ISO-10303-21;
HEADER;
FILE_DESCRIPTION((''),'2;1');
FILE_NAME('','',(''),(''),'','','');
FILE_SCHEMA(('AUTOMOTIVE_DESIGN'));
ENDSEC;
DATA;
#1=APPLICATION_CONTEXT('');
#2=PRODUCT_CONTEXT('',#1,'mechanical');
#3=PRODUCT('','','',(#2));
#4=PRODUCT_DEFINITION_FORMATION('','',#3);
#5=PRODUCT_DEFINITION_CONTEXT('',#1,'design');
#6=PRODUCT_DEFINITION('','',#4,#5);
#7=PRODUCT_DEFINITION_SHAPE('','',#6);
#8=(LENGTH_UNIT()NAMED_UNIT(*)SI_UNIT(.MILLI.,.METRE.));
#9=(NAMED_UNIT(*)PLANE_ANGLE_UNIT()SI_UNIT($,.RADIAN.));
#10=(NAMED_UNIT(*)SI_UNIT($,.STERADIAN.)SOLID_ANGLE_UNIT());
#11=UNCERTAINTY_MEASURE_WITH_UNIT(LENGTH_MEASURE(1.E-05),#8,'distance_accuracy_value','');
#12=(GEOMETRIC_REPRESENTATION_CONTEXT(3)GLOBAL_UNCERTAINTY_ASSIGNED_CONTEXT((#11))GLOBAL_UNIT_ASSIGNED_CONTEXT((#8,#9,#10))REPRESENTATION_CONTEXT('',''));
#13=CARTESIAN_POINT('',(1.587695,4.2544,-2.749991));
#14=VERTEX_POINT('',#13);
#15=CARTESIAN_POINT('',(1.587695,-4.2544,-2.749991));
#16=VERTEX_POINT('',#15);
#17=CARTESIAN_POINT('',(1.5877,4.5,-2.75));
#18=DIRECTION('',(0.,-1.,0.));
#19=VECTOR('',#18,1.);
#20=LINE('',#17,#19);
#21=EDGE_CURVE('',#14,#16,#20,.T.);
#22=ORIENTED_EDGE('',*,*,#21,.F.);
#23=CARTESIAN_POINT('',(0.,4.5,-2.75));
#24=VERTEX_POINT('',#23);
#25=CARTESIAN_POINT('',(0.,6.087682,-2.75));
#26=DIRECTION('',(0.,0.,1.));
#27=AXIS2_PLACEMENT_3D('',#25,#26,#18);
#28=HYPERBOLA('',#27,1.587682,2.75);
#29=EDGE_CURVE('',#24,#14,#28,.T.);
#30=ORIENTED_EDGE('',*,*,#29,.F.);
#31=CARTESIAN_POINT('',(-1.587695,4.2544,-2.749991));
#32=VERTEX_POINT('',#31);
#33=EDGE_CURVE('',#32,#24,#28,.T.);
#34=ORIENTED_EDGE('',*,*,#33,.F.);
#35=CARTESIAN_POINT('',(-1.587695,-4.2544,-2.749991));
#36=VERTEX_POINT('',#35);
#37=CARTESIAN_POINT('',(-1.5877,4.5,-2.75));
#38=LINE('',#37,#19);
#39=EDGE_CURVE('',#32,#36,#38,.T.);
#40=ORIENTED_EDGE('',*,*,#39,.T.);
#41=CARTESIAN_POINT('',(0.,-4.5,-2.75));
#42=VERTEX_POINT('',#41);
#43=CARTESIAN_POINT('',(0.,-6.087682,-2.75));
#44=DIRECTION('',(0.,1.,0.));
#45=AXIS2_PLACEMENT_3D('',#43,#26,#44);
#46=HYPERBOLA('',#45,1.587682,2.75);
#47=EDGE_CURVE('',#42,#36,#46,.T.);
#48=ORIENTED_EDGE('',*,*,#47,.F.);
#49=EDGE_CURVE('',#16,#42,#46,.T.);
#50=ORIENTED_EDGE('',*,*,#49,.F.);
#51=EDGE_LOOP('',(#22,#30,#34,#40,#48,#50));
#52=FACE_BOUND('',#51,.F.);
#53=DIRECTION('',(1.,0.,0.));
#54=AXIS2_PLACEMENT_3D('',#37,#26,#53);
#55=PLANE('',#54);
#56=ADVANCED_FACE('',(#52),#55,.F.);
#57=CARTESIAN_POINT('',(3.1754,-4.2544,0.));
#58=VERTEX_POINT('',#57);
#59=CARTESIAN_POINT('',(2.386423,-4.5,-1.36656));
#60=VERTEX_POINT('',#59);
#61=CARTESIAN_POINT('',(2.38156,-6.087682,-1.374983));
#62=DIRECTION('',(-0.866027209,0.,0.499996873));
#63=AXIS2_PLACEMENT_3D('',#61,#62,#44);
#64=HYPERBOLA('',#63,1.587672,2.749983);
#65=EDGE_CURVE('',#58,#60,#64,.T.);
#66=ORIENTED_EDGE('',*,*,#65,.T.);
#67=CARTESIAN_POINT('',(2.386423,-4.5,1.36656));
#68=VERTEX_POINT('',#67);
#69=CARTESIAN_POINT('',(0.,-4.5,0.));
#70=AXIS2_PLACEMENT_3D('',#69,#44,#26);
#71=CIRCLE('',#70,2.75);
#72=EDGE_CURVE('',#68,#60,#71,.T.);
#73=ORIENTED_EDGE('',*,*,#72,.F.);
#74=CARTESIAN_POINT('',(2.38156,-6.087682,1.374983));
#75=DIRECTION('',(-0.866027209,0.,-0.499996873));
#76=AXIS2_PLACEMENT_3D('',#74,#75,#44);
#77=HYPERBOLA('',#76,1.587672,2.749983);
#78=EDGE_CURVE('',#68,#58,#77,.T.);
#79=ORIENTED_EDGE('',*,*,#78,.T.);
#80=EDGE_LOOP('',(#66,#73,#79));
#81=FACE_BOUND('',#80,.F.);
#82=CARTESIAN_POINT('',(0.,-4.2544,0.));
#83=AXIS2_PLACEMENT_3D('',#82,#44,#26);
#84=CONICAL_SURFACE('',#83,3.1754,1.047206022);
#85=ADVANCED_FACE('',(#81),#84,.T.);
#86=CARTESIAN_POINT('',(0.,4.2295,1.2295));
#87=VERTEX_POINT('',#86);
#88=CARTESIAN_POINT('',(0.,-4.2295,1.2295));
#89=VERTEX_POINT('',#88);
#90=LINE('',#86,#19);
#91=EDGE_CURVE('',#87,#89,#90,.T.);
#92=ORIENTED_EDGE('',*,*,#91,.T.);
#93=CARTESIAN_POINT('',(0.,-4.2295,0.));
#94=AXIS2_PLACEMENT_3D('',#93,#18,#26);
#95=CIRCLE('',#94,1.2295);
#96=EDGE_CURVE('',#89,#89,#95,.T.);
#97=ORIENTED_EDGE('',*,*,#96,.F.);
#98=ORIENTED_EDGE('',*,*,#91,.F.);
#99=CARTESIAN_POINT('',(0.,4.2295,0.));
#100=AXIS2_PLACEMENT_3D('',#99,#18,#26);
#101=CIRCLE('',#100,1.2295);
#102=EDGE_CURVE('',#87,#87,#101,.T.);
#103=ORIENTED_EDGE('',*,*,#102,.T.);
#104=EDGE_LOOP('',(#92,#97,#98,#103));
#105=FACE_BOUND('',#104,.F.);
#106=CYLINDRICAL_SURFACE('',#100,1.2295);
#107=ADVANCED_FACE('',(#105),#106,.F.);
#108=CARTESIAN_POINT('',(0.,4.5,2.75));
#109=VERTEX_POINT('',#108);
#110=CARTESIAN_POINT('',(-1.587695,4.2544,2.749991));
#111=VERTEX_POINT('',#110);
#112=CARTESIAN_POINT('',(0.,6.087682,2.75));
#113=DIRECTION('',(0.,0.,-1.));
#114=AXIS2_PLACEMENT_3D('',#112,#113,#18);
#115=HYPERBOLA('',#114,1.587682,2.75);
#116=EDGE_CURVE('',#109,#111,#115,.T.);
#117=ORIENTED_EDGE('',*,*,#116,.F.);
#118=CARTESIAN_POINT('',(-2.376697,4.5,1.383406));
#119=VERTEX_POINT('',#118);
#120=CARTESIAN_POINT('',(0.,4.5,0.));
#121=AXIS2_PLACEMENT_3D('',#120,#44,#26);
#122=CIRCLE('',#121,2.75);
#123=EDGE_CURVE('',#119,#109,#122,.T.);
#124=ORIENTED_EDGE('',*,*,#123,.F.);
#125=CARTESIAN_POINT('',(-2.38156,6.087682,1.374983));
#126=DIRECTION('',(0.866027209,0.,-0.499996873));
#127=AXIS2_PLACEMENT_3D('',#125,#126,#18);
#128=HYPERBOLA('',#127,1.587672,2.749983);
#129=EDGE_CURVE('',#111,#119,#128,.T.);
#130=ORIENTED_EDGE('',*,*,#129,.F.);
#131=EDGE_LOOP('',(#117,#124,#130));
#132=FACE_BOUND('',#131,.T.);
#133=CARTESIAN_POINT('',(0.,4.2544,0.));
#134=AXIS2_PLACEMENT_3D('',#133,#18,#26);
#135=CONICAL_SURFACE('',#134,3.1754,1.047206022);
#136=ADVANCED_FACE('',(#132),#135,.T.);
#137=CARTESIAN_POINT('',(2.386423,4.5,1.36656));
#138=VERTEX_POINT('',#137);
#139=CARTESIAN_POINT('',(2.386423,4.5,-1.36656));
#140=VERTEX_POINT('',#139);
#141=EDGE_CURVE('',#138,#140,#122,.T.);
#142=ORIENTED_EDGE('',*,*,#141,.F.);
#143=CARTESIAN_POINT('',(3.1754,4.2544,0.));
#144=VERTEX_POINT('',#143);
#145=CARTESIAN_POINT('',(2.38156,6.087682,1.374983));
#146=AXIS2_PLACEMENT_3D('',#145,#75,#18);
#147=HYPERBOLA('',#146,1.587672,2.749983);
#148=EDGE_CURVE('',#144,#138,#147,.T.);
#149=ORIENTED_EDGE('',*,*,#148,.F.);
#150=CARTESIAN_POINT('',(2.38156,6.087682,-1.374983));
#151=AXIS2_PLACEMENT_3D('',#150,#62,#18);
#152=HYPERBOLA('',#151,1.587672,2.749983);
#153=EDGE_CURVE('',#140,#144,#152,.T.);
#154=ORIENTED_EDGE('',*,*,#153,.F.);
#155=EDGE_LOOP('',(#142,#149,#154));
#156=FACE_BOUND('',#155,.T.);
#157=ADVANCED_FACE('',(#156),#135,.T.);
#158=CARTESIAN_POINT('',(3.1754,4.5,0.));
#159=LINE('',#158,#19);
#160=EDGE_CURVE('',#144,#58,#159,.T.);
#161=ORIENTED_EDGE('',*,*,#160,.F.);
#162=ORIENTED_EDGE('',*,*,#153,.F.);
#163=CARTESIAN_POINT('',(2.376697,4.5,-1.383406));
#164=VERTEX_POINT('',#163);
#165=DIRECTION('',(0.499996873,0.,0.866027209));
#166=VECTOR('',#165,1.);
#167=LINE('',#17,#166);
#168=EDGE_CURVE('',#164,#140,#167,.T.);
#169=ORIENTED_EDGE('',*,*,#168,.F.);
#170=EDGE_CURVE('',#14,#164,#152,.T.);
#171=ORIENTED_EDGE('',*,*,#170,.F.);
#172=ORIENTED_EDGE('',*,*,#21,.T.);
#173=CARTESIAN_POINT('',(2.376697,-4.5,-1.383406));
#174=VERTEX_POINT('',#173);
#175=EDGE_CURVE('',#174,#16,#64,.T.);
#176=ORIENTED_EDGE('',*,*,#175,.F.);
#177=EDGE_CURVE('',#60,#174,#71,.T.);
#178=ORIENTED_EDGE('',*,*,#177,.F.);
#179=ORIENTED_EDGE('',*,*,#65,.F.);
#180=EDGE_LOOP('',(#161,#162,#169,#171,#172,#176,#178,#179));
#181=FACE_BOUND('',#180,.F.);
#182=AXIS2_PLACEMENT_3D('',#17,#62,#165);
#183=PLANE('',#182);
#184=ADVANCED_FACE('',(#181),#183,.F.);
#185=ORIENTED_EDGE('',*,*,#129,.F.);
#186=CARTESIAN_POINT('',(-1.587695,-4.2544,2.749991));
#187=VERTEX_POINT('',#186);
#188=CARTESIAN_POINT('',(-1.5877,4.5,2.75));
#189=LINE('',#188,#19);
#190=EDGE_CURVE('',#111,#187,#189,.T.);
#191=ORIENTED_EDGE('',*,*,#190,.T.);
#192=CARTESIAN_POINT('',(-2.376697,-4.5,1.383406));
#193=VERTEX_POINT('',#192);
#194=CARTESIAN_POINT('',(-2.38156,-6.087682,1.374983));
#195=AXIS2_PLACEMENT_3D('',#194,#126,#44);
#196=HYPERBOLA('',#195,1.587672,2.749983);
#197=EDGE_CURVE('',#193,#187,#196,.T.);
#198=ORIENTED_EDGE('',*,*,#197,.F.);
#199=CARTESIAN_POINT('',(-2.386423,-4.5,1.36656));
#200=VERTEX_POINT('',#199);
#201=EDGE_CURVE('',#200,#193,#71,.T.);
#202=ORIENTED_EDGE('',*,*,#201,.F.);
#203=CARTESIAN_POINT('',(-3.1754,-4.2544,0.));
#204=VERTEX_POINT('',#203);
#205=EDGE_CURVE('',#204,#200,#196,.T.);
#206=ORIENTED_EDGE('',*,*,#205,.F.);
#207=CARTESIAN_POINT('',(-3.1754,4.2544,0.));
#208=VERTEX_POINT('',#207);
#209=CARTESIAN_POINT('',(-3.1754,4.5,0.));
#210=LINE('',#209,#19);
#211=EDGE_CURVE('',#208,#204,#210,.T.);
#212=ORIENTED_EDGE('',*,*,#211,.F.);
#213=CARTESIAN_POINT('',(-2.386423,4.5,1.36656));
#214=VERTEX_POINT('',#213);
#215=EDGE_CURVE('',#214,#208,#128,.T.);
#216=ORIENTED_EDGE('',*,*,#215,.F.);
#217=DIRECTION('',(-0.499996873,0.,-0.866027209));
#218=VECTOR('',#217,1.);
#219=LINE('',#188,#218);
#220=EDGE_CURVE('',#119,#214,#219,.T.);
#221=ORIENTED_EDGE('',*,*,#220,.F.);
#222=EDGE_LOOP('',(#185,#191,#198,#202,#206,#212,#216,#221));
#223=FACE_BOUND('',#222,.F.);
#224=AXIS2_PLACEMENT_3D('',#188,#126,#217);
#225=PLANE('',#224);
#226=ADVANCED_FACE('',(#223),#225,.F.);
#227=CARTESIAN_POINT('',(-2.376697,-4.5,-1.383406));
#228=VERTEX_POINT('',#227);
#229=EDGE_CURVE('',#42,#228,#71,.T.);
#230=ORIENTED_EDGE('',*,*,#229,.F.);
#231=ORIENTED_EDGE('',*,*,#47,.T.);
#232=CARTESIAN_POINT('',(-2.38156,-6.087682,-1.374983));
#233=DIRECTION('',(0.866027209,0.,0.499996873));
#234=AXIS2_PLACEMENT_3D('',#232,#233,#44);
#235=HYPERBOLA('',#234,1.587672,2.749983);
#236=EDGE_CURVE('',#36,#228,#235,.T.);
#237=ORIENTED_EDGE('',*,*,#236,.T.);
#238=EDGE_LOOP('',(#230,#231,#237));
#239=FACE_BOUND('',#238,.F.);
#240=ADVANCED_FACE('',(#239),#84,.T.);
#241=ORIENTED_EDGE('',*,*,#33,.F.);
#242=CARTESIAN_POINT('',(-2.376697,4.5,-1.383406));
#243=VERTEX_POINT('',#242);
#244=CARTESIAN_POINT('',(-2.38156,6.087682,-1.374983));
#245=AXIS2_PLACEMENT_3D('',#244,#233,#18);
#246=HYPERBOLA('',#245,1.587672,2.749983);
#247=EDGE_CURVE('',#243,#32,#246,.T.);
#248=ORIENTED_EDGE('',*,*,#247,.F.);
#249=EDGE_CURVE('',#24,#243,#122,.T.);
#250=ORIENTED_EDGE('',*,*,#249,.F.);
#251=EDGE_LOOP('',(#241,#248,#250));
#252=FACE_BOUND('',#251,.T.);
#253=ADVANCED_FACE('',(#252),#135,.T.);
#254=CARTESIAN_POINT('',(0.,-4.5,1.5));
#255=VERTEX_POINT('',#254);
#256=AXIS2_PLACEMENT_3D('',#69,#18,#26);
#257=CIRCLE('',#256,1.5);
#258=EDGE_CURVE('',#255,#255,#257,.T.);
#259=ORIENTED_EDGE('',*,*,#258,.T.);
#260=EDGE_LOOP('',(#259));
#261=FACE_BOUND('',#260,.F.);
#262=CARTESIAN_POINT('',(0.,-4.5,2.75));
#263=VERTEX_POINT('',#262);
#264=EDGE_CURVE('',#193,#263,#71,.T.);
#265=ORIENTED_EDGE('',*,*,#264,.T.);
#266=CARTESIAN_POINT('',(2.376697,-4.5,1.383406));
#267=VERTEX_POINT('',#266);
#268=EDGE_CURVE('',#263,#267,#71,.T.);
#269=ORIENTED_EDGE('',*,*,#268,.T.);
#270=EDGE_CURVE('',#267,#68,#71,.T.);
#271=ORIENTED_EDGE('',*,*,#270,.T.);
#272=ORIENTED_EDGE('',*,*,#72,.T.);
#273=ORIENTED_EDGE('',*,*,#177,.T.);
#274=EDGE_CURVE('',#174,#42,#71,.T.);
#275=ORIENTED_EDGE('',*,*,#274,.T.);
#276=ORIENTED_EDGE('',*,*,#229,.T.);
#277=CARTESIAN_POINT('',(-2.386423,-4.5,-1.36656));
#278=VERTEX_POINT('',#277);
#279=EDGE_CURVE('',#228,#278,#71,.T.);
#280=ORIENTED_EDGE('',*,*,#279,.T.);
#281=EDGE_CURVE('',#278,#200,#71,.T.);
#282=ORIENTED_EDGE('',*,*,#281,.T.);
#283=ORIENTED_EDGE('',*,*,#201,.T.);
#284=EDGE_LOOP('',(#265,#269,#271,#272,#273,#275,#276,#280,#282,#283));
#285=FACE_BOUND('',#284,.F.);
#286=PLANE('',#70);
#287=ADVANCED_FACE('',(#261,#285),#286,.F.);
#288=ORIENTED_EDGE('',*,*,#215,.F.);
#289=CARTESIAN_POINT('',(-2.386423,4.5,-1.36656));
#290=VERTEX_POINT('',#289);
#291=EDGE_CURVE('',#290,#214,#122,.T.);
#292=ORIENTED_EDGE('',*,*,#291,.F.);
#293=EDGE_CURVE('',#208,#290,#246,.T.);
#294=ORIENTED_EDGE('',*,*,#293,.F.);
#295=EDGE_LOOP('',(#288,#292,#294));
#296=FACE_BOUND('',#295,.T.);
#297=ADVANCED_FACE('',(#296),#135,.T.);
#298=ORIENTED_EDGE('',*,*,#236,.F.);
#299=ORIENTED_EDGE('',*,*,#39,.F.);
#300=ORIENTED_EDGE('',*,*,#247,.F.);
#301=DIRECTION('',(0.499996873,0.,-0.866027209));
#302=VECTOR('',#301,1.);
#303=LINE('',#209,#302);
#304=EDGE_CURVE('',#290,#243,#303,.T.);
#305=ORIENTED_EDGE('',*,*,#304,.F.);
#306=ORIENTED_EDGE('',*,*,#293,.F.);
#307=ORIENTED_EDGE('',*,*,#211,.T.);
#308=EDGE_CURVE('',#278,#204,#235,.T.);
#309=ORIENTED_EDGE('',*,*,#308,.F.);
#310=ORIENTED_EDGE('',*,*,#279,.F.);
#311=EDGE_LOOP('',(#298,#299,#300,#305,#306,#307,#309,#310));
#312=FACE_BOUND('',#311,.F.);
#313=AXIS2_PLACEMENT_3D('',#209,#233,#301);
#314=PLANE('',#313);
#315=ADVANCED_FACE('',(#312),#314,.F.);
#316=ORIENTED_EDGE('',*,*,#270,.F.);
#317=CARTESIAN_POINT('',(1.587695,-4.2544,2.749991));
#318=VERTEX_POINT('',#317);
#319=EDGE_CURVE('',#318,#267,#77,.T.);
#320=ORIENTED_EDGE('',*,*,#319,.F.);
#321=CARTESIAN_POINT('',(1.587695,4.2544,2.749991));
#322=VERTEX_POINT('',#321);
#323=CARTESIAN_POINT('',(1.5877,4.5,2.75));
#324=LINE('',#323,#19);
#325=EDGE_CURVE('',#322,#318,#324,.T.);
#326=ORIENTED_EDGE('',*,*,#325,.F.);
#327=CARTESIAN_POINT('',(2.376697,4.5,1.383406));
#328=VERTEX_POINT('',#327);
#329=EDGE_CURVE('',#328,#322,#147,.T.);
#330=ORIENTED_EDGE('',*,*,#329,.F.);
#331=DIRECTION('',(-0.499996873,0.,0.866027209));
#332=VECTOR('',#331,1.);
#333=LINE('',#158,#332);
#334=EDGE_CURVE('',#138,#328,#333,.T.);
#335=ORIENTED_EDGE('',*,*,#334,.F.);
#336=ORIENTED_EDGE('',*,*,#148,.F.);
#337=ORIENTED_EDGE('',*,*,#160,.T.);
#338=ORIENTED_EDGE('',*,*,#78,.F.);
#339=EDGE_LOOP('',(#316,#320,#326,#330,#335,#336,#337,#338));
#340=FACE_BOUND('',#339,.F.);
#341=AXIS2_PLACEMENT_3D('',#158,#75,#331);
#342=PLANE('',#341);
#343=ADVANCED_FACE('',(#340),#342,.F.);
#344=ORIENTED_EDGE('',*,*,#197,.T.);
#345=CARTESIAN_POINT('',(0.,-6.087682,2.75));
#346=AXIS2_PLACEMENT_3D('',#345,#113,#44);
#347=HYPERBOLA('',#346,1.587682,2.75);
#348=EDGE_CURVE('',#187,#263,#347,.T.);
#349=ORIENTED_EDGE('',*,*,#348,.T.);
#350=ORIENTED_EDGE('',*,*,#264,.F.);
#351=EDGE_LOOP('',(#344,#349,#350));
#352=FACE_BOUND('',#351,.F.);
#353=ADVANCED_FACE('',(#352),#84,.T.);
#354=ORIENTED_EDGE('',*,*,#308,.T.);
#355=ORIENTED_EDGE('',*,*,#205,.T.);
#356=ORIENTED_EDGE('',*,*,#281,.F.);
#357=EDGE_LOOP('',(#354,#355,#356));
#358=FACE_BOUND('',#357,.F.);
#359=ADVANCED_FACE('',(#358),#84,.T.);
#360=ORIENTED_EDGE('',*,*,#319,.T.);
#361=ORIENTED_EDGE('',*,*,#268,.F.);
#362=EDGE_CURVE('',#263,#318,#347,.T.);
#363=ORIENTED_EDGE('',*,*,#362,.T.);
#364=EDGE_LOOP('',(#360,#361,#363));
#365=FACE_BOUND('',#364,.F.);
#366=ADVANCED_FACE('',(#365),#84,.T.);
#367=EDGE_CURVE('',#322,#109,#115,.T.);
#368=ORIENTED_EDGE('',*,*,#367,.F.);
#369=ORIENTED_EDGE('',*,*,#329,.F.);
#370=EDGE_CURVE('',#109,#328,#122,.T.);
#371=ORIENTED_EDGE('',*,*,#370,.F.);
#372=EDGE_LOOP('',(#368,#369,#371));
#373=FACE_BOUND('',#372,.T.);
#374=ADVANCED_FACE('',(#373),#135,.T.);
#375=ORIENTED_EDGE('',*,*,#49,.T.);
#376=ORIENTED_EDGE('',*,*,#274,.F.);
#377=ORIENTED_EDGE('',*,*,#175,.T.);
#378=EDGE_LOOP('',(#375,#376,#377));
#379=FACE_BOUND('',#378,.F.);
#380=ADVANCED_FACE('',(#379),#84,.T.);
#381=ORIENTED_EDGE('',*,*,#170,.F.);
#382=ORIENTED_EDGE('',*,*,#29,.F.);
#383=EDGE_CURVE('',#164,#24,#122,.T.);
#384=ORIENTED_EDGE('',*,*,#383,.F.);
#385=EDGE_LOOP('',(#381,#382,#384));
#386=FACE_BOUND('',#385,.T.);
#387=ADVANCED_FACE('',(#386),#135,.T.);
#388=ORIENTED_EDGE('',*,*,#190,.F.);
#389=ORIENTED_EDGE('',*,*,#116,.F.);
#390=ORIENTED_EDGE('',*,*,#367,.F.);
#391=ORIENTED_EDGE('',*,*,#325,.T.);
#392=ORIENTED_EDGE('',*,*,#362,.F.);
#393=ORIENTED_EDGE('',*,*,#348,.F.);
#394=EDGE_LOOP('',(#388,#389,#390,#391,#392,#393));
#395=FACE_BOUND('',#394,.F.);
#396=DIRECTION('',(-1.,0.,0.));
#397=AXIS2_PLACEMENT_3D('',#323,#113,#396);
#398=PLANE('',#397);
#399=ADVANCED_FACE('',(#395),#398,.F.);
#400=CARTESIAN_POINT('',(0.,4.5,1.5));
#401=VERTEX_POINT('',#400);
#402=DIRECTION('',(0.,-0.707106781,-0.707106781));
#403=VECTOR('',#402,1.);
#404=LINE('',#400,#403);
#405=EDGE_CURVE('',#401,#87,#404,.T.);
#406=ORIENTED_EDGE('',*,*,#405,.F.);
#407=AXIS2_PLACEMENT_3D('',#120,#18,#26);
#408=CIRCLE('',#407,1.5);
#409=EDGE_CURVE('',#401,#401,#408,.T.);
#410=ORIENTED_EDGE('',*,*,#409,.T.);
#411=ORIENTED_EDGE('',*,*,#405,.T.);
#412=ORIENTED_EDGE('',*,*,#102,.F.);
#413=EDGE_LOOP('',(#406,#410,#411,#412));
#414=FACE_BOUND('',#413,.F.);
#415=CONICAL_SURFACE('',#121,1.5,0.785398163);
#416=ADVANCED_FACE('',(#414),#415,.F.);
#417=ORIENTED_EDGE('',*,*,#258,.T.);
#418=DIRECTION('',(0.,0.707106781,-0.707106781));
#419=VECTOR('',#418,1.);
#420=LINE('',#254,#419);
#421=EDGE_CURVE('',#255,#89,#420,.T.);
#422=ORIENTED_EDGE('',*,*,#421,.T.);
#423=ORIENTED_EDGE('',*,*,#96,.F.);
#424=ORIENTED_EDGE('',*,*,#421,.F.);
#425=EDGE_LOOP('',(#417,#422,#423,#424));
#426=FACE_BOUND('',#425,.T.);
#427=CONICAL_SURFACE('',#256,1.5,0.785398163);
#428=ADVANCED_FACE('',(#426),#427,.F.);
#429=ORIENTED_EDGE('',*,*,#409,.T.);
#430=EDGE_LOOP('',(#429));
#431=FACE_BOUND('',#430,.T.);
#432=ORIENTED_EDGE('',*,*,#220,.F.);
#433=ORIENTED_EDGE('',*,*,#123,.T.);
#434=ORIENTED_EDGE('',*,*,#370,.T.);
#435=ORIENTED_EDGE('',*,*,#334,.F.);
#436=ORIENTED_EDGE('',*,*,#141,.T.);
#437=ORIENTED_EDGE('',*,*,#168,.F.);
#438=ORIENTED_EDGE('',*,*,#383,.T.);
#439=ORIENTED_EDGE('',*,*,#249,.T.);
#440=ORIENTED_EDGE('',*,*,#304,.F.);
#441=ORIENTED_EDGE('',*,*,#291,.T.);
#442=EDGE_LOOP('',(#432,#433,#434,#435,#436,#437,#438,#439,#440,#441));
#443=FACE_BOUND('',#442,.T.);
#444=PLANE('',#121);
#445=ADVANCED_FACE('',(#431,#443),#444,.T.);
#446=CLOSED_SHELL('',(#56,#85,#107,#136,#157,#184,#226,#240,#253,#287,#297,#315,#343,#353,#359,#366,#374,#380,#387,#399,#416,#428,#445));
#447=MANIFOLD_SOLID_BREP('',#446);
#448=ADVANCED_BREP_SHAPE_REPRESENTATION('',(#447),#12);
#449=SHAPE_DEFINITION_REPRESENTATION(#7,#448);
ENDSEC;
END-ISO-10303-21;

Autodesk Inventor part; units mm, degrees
ref_plane "YZ Plane" through (0, 0, 0) normal (1, 0, 0) x (0, 1, 0)
ref_plane "XZ Plane" through (0, 0, 0) normal (0, 1, 0) x (-1, 0, 0)
ref_plane "XY Plane" through (0, 0, 0) normal (0, 0, 1) x (1, 0, 0)
sketch "スケッチ1" plane through (0, 0, 0) normal (1, 0, 0) x (0, 1, 0)
  line L0 (-4.5, 0) -> (4.5, 0)
  line L1 (0, 0) -> (0, 3.1754) construction
  line L2 (-4.2544, 3.1754) -> (-4.5, 2.75)
  line L3 (-4.5, 2.75) -> (-4.5, 0)
  line L4 (-4.2544, 3.1754) -> (4.2544, 3.1754)
  line L5 (4.2544, 3.1754) -> (4.5, 2.75)
  line L6 (4.5, 2.75) -> (4.5, 0)
  dimension "d1" = 2.75
  dimension "d2" = 3.1754
  dimension "d3" = 30
  dimension "d4" = 9
revolve "回転1" add sketch "スケッチ1" angle 360 about axis through (0, -4.5, 0) along (0, 1, 0)
sketch "スケッチ2" plane through (0, 4.5, 0) normal (0, 1, 0) x (1, 0, 0)
  circle A0 centre (0, 0) radius 3.1754 projected
  line L0 (1.5877, 2.75) -> (3.1754, 0)
  line L1 (3.1754, 0) -> (1.5877, -2.75)
  line L2 (1.5877, -2.75) -> (-1.5877, -2.75)
  line L3 (-1.5877, -2.75) -> (-3.1754, 0)
  line L4 (-3.1754, 0) -> (-1.5877, 2.75)
  line L5 (-1.5877, 2.75) -> (1.5877, 2.75)
  point P0 (0, 0)
  point P1 (-1.5877, 2.75)
  point P2 (-1.5877, 2.75)
  point P3 (-3.1754, 0)
  point P4 (-3.1754, 0)
  point P5 (1.5877, -2.75)
  point P6 (1.5877, -2.75)
  point P7 (3.1754, 0)
  point P8 (3.1754, 0)
extrude "押し出し1" cut sketch "スケッチ2" against normal through all contours L0 A0 | A0 L1 | L5 A0 | A0 L2 | L4 A0 | A0 L3
hole "穴1" at (0, 4.5, 0) direction (0, -1, 0) diameter 2.459 end through all countersink diameter 3 countersink angle 90 thread size "M3x0.5" class "6H" standard "ISO Metric profile"
mirror "ミラー1" about plane through (0, 0, 0) normal (0, 1, 0) of "穴1"
equation "\"d2\" = 1.1547 * d1"
properties part number "ASL-309BE" material "アルミニウム 2014-T4"
